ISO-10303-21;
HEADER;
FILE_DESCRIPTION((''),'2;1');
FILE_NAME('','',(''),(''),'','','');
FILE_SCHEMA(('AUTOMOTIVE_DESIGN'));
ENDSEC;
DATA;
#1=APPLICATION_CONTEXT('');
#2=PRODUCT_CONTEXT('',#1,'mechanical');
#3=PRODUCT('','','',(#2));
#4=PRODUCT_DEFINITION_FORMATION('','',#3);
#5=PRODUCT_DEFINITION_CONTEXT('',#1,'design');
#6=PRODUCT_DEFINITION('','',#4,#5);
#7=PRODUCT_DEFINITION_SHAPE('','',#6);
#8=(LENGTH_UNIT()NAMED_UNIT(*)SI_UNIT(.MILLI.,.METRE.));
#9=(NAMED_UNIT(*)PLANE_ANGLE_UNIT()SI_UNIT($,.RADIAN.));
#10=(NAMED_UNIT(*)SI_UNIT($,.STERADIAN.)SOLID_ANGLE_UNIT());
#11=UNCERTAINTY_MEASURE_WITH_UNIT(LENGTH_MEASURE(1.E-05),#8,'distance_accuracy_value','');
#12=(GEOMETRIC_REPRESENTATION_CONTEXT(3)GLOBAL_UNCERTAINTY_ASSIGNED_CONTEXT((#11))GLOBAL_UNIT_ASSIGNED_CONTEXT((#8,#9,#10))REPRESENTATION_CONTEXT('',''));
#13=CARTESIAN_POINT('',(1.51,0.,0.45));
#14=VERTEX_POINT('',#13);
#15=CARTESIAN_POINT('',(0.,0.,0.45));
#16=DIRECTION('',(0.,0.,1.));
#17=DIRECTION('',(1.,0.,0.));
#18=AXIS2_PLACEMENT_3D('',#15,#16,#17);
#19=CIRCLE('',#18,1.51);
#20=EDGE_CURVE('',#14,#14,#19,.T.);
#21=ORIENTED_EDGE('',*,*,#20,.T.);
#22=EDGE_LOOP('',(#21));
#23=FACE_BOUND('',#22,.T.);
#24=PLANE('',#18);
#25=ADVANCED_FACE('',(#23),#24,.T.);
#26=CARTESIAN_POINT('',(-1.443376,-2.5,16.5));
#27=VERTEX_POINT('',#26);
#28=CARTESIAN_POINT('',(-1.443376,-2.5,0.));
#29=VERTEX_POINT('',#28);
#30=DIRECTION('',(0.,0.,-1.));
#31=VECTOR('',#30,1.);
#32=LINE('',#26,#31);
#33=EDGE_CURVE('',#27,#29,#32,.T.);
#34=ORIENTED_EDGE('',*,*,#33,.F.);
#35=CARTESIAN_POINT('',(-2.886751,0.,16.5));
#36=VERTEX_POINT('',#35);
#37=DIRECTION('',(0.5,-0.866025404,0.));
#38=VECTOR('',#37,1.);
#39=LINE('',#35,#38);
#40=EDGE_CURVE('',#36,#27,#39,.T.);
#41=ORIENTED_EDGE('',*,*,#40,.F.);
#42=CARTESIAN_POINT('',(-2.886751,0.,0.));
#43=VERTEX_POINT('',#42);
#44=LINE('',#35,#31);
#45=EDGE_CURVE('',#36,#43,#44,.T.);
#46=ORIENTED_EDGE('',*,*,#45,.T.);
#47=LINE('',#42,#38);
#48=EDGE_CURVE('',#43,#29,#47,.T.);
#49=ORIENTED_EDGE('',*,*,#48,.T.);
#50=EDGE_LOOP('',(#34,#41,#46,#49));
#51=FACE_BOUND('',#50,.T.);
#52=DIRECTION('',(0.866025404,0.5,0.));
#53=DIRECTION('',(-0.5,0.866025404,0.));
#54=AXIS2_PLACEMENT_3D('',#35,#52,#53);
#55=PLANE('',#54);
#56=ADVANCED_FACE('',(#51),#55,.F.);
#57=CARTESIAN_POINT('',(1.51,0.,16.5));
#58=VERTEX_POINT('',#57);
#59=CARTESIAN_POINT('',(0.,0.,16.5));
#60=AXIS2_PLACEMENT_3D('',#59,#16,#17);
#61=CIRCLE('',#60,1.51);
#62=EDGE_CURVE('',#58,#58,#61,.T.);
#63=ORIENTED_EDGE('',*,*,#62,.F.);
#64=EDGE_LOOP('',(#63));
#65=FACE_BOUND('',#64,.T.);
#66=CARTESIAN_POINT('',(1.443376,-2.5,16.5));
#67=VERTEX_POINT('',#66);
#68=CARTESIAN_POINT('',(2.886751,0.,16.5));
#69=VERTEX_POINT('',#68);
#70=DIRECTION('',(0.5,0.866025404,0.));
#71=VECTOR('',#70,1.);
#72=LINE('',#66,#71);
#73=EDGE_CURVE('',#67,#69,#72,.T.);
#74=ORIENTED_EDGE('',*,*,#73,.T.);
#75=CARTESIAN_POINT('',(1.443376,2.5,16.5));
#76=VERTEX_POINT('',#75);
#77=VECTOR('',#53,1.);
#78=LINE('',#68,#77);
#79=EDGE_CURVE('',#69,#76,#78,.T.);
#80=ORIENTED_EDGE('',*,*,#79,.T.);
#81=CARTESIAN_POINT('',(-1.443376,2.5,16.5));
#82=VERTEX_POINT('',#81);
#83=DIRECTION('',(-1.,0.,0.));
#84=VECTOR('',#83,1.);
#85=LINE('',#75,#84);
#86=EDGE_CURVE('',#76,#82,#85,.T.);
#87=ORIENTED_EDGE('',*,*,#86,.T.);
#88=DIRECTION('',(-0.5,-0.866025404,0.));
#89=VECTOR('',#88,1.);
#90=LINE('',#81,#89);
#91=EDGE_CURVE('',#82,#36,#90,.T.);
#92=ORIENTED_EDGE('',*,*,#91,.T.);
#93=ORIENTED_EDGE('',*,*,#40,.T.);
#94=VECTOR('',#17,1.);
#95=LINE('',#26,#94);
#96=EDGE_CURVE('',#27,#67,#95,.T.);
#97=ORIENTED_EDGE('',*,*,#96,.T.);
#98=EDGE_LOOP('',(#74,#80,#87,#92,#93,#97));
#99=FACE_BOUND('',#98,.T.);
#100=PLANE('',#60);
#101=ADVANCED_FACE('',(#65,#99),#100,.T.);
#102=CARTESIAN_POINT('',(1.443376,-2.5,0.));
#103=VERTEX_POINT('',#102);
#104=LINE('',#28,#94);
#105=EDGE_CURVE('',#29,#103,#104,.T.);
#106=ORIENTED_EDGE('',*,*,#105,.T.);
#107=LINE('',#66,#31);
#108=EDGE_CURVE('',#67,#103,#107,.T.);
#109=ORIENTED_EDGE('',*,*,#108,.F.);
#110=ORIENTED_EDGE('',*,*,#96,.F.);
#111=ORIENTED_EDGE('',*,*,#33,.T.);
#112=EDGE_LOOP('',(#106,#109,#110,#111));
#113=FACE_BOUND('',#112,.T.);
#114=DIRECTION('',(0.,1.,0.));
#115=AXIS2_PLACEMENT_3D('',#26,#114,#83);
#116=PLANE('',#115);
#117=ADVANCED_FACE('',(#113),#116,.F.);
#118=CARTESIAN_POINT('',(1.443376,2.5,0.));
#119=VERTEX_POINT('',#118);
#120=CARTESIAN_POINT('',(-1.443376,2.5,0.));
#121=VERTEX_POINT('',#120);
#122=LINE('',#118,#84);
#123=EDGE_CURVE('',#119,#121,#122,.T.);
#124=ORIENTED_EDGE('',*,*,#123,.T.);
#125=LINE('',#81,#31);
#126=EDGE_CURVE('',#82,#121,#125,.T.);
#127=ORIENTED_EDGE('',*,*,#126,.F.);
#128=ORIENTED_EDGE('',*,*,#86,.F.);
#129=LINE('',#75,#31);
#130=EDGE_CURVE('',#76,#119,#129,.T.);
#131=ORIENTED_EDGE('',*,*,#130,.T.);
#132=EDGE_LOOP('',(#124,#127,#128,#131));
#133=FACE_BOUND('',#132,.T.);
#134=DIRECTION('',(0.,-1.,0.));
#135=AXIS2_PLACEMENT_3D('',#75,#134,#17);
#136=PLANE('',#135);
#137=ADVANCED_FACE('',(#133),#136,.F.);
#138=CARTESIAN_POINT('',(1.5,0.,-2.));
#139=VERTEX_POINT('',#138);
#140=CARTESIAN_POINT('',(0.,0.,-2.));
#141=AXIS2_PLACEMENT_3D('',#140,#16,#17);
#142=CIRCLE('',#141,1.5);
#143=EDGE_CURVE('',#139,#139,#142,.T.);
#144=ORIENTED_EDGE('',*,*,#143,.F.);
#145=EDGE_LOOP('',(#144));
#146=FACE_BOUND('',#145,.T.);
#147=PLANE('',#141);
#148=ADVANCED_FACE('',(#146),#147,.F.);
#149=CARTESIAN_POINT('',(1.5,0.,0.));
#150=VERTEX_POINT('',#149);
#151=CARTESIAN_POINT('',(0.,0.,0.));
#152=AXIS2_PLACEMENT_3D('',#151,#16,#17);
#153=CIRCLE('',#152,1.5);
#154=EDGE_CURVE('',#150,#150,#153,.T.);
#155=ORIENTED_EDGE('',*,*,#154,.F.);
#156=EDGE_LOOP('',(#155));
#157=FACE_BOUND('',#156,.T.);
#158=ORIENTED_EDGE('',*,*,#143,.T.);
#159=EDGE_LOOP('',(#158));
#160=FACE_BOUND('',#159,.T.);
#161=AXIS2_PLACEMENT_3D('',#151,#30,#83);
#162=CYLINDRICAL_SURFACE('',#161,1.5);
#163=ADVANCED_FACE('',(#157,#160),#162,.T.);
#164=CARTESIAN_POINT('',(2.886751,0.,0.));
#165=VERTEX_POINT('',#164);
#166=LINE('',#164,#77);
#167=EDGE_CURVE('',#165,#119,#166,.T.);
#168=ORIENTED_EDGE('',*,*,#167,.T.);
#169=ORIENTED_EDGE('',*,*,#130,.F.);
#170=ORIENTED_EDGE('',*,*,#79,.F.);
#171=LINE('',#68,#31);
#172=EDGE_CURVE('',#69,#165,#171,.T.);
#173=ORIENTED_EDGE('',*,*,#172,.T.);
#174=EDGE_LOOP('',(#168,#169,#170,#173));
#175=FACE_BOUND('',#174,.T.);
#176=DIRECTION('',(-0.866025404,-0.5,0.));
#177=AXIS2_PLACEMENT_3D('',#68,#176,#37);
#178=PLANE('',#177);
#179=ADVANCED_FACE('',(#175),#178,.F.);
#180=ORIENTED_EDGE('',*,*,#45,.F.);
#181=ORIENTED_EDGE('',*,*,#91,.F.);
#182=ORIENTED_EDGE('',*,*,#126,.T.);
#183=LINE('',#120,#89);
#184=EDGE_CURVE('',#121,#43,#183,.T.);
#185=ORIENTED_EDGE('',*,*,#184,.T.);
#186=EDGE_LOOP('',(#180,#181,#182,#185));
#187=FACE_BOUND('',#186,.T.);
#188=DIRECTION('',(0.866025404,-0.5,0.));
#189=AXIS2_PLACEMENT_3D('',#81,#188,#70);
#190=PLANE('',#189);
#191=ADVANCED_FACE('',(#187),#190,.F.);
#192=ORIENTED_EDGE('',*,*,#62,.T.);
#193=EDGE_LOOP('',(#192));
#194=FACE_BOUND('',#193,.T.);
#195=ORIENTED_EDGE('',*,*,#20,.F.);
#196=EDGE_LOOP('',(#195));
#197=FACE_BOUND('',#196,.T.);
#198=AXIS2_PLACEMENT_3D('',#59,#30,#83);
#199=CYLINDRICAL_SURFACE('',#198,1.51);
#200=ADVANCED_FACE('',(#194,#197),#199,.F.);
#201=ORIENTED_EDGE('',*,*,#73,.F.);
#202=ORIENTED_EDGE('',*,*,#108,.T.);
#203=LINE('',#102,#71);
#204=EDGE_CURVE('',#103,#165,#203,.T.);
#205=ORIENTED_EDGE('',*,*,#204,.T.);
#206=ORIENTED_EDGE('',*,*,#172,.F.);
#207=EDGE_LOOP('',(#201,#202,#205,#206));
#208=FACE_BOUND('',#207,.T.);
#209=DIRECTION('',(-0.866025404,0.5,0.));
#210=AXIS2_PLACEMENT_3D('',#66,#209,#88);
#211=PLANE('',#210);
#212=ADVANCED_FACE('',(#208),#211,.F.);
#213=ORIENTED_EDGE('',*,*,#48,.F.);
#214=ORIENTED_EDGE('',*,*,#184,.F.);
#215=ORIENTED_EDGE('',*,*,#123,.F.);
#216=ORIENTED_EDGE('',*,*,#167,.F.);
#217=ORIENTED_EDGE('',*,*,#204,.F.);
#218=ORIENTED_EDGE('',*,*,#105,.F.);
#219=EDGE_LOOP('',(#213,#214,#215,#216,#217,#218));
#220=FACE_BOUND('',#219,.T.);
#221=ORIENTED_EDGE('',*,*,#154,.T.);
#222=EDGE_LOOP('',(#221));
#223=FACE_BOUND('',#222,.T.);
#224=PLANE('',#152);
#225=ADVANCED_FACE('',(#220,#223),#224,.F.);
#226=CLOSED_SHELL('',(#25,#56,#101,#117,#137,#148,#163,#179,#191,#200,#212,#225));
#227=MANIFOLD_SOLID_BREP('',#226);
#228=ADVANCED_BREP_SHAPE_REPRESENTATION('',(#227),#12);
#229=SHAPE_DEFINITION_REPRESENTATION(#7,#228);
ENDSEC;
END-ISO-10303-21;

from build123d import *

# Parameters (mm, degrees)
FEMALE_M3_HEX_STANDOFF_AF5_SKETCH_R = 1.51
FEMALE_M3_HEX_STANDOFF_AF5_DEPTH    = 16.5
STUD_ROOT_SKETCH_R                  = 1.85
STUD_ROOT_DEPTH                     = 0.45
MALE_M3_STUD_ENVELOPE_START         = -2
MALE_M3_STUD_ENVELOPE_SKETCH_R      = 1.5
MALE_M3_STUD_ENVELOPE_DEPTH         = 2


with BuildPart() as part:
    # Female_M3_hex_standoff_AF5_Sketch → Female_M3_hex_standoff_AF5 (new body)
    with BuildSketch(Plane.XY):
        Polygon((2.886751346, 0), (1.443375673, 2.5), (-1.443375673, 2.5), (-2.886751346, 0), (-1.443375673, -2.5), (1.443375673, -2.5), align=None)
        Circle(FEMALE_M3_HEX_STANDOFF_AF5_SKETCH_R, mode=Mode.SUBTRACT)
    extrude(amount=FEMALE_M3_HEX_STANDOFF_AF5_DEPTH)

    # Stud_root_Sketch → Stud_root (add)
    with BuildSketch(Plane.XY):
        Circle(STUD_ROOT_SKETCH_R)
    extrude(amount=STUD_ROOT_DEPTH)

    # Male_M3_stud_envelope_Sketch → Male_M3_stud_envelope (add)
    with BuildSketch(Plane.XY.offset(MALE_M3_STUD_ENVELOPE_START)):
        Circle(MALE_M3_STUD_ENVELOPE_SKETCH_R)
    extrude(amount=MALE_M3_STUD_ENVELOPE_DEPTH)


solid = part.part
